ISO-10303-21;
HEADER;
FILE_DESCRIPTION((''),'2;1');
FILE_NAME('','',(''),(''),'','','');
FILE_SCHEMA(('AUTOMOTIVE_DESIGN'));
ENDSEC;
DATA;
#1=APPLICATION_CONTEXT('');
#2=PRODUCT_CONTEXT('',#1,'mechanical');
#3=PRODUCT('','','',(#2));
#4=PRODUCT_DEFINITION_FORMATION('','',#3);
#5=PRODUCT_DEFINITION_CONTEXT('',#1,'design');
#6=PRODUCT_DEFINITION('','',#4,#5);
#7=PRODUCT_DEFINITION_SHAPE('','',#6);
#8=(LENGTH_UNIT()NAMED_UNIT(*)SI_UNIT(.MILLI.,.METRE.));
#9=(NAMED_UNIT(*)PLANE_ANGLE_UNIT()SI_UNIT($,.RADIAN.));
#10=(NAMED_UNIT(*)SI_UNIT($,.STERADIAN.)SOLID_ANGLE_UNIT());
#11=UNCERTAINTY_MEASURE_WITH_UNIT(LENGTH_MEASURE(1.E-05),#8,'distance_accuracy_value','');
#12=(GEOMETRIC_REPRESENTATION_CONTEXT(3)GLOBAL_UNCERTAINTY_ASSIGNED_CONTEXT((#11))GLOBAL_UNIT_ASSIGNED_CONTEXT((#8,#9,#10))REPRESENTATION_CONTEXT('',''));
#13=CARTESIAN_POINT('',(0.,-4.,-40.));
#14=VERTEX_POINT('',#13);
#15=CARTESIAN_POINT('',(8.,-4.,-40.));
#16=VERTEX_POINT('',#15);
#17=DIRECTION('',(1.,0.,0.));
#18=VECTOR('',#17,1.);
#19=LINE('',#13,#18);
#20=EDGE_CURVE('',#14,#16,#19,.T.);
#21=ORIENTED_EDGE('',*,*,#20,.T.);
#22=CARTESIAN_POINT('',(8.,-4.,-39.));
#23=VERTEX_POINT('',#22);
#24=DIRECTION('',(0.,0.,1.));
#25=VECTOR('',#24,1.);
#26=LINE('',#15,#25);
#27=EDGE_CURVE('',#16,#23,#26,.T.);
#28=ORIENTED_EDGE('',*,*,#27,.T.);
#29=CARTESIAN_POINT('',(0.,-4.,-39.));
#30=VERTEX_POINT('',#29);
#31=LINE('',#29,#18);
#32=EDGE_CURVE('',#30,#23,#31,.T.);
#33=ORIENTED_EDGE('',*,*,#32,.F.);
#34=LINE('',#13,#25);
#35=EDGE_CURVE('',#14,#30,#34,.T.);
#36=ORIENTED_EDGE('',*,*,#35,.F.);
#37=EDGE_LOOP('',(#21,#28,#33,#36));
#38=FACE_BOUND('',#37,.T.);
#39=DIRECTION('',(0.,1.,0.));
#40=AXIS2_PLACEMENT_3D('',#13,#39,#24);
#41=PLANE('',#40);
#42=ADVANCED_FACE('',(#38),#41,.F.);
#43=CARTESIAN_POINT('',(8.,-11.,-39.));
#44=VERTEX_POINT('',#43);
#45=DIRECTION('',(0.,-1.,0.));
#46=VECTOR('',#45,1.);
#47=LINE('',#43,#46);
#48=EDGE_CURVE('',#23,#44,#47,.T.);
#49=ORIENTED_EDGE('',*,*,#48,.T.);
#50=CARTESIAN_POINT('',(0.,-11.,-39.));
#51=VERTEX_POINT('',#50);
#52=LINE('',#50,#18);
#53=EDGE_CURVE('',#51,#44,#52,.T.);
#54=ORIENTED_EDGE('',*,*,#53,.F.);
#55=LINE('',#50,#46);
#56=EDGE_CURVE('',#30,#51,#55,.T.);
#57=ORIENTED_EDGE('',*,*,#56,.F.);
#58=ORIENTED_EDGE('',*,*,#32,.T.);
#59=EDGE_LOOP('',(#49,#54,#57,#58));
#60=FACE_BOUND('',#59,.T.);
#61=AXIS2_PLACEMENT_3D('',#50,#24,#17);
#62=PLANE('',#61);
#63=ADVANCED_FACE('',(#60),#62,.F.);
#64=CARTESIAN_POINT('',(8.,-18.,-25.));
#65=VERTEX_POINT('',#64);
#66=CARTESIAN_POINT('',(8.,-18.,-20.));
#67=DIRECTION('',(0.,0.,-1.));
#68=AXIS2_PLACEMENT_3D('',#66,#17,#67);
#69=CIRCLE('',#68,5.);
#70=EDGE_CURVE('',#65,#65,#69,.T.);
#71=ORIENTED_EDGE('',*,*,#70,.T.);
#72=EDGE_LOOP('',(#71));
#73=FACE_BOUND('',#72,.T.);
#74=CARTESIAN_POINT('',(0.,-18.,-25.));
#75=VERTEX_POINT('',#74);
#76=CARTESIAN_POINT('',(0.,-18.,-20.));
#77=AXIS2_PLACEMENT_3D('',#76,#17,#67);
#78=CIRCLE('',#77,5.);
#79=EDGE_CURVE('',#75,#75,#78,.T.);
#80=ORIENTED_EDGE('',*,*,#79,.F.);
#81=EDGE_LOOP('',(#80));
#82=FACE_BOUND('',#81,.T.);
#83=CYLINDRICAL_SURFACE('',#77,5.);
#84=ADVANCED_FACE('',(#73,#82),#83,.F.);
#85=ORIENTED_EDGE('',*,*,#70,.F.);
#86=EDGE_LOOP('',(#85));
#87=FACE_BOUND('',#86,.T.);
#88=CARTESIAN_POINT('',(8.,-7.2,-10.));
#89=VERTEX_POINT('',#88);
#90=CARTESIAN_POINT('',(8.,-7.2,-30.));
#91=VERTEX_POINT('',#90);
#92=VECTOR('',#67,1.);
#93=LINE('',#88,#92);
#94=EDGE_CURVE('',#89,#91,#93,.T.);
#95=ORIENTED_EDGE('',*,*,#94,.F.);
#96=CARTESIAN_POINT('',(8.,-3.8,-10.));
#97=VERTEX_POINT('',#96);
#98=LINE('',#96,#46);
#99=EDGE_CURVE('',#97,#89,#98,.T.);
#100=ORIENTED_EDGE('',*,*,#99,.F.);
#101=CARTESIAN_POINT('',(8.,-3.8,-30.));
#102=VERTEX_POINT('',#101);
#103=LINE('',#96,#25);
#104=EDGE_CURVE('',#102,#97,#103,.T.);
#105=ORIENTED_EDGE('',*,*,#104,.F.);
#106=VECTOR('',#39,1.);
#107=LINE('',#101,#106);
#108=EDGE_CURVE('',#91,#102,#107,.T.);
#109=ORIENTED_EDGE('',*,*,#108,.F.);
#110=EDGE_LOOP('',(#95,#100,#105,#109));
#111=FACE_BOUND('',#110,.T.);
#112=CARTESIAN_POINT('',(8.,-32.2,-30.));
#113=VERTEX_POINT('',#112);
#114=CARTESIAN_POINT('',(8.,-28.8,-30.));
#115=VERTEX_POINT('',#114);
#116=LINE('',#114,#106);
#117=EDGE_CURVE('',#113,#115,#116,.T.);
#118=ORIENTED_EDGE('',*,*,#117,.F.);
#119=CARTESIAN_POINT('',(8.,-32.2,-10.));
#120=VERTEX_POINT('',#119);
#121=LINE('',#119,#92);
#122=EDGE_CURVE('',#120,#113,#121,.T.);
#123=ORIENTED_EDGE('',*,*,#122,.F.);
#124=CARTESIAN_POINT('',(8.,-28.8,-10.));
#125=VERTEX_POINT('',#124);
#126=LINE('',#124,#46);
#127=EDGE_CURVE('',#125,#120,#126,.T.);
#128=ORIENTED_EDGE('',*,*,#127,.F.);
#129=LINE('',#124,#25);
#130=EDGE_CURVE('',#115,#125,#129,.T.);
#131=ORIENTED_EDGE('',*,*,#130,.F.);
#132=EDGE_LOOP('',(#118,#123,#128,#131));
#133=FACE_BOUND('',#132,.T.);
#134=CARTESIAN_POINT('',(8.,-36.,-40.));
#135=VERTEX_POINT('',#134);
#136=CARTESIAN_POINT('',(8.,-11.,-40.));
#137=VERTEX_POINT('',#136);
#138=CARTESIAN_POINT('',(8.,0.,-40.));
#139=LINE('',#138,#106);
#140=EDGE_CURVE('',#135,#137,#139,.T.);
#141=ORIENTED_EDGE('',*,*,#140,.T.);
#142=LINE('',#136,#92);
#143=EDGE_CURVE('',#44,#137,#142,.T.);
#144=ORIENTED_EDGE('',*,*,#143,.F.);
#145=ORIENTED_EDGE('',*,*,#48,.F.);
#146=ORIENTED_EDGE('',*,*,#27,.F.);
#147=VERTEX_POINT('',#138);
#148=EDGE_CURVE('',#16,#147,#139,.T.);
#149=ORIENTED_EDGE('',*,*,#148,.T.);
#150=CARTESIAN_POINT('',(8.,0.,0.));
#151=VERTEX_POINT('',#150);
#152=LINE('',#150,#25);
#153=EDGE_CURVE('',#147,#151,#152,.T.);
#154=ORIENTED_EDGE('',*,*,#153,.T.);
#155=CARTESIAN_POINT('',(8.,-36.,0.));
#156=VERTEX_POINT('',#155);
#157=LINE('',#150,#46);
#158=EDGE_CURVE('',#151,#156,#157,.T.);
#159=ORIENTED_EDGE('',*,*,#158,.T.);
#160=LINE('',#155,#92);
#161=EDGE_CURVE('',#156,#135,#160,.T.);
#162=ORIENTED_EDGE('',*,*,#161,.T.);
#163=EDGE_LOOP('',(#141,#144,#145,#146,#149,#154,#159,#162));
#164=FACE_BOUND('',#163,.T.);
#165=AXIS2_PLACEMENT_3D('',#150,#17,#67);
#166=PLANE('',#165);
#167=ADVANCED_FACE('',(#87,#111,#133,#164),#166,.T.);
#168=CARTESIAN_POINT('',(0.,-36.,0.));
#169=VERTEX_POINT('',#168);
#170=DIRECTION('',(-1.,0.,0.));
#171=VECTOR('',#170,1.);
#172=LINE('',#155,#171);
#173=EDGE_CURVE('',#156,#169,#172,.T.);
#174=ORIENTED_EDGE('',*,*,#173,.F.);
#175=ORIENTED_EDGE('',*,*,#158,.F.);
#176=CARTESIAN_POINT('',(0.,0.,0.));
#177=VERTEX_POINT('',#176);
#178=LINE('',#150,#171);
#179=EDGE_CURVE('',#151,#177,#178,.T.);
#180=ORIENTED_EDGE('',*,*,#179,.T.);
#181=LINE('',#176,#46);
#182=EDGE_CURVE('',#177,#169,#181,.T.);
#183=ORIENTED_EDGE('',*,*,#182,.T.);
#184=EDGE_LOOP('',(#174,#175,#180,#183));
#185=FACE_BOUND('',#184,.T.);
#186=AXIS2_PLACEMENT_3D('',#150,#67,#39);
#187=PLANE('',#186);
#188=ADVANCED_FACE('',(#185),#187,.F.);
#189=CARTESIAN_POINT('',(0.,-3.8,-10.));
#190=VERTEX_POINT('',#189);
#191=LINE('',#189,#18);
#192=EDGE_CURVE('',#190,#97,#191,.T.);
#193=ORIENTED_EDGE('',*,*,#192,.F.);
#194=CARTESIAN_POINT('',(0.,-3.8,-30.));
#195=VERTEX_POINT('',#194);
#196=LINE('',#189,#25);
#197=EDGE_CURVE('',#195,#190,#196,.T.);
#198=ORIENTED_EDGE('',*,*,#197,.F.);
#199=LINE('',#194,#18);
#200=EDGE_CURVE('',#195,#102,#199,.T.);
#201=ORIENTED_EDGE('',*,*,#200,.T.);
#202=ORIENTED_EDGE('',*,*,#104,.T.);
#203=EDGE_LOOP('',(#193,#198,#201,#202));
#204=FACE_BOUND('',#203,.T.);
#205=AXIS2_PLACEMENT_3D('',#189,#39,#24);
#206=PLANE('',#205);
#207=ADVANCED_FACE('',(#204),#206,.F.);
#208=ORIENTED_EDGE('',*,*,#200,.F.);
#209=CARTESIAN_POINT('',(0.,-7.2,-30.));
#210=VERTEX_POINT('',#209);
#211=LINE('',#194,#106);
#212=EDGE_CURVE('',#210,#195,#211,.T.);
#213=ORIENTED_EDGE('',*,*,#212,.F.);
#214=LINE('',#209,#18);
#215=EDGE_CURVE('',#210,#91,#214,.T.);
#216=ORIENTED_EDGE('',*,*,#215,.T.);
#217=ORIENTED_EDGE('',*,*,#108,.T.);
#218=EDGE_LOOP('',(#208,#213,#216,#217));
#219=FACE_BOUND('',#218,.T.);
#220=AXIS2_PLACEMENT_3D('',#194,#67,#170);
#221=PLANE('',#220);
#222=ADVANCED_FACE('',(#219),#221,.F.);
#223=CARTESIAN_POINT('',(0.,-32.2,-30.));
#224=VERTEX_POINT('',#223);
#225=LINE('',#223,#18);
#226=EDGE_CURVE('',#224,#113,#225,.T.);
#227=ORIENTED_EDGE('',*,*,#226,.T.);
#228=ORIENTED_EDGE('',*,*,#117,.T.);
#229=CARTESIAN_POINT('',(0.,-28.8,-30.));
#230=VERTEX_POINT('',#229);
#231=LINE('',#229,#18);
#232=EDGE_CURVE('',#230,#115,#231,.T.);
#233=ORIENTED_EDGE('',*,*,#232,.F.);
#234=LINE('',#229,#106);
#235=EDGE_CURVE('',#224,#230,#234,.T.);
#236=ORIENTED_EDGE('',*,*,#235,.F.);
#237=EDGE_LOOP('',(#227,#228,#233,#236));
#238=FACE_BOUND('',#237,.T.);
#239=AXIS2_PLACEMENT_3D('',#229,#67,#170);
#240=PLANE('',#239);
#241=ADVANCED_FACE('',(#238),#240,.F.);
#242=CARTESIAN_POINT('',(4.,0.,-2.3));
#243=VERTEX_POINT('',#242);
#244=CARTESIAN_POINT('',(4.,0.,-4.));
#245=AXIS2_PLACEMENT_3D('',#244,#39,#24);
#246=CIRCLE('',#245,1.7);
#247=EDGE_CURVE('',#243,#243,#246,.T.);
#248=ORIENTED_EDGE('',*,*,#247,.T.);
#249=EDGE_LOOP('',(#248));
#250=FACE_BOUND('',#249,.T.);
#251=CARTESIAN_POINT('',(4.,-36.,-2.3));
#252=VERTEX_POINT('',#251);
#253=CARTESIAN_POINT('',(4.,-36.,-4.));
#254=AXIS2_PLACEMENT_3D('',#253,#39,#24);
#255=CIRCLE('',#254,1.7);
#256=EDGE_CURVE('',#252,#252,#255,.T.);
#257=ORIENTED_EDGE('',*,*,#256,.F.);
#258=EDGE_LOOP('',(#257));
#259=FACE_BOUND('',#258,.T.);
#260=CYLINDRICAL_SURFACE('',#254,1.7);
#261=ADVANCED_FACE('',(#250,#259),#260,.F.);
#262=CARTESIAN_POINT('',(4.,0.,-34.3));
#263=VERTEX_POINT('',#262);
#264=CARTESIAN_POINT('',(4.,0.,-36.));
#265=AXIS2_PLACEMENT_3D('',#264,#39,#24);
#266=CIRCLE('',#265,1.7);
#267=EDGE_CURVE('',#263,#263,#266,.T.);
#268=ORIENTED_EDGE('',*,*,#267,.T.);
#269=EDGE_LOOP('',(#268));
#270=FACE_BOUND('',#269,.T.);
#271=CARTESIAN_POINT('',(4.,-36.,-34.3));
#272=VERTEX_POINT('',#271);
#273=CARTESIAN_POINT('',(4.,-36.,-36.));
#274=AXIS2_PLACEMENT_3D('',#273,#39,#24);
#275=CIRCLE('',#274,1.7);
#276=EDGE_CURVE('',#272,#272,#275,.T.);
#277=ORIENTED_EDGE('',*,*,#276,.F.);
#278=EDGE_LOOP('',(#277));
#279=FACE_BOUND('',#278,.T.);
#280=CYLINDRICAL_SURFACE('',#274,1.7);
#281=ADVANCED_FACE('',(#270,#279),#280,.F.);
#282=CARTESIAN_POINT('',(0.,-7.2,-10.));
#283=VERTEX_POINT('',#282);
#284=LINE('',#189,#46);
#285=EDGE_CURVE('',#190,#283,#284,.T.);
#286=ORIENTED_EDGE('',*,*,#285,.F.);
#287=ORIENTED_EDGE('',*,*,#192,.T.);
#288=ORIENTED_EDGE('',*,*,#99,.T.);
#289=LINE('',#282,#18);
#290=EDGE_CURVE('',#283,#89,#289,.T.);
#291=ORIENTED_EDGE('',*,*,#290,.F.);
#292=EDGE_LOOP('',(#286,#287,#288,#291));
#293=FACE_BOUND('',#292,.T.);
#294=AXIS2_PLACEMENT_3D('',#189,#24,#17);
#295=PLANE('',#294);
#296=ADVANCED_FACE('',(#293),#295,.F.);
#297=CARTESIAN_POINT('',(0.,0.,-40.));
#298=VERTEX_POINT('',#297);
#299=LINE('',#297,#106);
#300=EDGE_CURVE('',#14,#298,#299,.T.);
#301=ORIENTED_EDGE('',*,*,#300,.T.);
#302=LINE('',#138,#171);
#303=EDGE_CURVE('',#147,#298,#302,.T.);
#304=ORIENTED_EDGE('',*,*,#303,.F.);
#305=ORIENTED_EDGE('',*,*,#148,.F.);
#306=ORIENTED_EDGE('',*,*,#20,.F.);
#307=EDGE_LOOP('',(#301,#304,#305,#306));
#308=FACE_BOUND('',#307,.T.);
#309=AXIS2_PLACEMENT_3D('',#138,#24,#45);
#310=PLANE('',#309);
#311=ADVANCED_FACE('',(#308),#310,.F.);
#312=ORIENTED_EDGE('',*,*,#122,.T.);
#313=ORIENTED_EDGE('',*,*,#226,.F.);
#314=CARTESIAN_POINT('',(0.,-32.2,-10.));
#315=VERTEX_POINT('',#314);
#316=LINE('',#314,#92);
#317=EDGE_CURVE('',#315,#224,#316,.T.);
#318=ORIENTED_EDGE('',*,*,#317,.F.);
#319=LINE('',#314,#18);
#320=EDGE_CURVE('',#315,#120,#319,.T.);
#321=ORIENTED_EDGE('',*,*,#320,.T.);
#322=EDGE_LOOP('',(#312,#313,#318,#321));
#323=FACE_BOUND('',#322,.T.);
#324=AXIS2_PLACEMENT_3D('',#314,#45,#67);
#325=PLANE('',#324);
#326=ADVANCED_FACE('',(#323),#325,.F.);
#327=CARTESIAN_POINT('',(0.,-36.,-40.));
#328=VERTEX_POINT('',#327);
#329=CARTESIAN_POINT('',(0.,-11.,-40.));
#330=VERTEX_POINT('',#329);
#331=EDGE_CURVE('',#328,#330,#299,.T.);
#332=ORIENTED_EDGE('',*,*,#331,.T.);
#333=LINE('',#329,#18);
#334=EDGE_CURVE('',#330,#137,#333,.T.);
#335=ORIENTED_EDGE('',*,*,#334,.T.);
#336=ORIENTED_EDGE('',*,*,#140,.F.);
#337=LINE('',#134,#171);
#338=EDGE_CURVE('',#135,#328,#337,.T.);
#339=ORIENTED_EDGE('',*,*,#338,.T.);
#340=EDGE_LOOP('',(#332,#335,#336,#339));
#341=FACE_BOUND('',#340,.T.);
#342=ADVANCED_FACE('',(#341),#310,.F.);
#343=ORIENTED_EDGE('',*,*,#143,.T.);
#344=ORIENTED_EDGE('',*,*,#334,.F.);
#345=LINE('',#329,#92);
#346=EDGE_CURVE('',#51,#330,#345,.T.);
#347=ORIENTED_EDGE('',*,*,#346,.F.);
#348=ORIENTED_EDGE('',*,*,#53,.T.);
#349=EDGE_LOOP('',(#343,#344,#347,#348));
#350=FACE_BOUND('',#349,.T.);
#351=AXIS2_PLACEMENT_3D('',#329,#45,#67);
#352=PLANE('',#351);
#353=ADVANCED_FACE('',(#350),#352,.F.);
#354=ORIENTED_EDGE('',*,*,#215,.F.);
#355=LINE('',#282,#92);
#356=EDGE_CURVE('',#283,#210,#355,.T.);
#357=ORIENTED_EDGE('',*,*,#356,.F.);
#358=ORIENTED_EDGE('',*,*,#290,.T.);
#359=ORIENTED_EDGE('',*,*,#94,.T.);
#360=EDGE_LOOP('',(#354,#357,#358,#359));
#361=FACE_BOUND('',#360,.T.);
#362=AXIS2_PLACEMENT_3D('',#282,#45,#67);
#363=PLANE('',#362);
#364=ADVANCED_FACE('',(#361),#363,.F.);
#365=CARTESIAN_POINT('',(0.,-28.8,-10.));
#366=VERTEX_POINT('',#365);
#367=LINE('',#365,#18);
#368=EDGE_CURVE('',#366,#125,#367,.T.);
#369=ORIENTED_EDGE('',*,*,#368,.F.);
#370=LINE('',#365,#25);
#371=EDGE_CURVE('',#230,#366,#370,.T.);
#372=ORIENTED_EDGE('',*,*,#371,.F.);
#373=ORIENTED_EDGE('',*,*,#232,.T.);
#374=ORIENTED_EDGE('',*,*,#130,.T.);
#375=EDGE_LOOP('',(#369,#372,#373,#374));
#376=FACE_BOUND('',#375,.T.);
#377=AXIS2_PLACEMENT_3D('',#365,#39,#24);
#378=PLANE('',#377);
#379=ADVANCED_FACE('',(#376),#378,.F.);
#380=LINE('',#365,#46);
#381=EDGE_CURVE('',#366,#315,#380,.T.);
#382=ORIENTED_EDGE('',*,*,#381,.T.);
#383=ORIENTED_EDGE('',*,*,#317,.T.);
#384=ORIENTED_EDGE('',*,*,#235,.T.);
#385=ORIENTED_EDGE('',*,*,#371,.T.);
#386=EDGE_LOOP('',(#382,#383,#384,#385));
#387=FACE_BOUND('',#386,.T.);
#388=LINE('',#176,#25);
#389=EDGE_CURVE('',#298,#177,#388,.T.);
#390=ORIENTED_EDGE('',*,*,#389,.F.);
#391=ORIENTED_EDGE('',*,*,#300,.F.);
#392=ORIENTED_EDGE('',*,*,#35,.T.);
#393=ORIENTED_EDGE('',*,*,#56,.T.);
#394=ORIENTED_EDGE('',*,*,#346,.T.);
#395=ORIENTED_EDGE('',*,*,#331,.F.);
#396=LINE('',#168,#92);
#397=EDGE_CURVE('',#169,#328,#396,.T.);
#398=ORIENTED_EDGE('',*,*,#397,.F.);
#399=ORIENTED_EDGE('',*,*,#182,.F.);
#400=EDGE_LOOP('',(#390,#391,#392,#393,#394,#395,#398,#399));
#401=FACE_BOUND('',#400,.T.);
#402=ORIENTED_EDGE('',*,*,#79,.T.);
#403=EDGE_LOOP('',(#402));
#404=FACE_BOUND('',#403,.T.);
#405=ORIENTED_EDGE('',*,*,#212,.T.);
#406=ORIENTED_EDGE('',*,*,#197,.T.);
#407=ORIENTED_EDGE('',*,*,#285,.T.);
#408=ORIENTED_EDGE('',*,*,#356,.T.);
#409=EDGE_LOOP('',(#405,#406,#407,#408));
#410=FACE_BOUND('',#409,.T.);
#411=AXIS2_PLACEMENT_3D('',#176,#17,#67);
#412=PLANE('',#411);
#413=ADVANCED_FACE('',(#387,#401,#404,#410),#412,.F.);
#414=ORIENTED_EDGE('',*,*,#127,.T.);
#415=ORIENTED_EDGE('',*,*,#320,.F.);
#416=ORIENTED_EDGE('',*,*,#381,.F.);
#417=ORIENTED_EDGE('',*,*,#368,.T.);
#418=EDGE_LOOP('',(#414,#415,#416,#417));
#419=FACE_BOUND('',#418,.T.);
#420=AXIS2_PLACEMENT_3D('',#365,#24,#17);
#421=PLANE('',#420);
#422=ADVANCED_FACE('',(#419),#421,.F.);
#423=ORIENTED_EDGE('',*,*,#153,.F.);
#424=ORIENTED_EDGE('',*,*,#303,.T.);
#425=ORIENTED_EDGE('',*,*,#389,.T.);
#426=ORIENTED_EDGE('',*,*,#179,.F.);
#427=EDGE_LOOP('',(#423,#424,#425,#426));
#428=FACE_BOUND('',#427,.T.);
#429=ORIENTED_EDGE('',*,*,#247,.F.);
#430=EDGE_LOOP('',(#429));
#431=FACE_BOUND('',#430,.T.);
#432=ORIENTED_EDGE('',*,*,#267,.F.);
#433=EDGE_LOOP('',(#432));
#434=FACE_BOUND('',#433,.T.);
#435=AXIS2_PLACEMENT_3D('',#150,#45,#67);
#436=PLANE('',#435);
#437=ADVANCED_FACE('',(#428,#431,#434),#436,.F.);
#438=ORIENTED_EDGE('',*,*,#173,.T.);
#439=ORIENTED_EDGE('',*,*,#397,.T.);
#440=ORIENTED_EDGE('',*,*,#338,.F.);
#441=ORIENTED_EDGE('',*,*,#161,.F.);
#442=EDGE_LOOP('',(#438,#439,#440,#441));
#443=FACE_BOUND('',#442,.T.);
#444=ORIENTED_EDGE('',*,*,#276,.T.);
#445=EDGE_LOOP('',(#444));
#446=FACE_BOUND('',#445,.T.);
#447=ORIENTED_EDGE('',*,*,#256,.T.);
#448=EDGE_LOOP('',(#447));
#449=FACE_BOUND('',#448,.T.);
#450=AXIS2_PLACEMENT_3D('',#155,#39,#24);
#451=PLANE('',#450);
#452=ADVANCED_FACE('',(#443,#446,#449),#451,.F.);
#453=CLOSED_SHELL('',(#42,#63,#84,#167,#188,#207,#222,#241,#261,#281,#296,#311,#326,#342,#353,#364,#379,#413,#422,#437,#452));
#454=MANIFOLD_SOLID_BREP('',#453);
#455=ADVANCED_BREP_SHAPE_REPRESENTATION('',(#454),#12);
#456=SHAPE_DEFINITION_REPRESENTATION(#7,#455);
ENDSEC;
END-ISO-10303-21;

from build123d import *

# Parameters (mm, degrees)
SKETCH1_W           = 40
SKETCH1_H           = 36
BOSS_EXTRUDE1_DEPTH = 8
SKETCH2_R           = 5
CUT_EXTRUDE1_DEPTH  = 55.405882035
SKETCH3_W           = 20
SKETCH3_H           = 3.4
CUT_EXTRUDE2_DEPTH  = 55.405882035
SKETCH6_R           = 1.7
CUT_EXTRUDE3_DEPTH  = 55.405882035
SKETCH7_W           = 1
SKETCH7_H           = 7
CUT_EXTRUDE4_DEPTH  = 55.405882035


with BuildPart() as part:
    # Sketch1 → Boss-Extrude1 (new body)
    with BuildSketch(Plane(origin=(0, 0, 0), x_dir=(0, 0, -1), z_dir=(1, 0, 0))):
        with Locations((20, -18)):
            Rectangle(SKETCH1_W, SKETCH1_H)
    extrude(amount=BOSS_EXTRUDE1_DEPTH)

    # Sketch2 → Cut-Extrude1 (cut, through all)
    with BuildSketch(Plane(origin=(8, 0, 0), x_dir=(0, 0, -1), z_dir=(1, 0, 0))):
        with Locations((20, -18)):
            Circle(SKETCH2_R)
    extrude(amount=-CUT_EXTRUDE1_DEPTH, mode=Mode.SUBTRACT)

    # Sketch3 → Cut-Extrude2 (cut, through all)
    with BuildSketch(Plane(origin=(8, 0, 0), x_dir=(0, 0, -1), z_dir=(1, 0, 0))):
        with Locations((20, -5.5)):
            Rectangle(SKETCH3_W, SKETCH3_H)
        with Locations((20, -30.5)):
            Rectangle(SKETCH3_W, SKETCH3_H)
    extrude(amount=-CUT_EXTRUDE2_DEPTH, mode=Mode.SUBTRACT)

    # Sketch6 → Cut-Extrude3 (cut, through all)
    with BuildSketch(Plane(origin=(0, 0, 0), x_dir=(1, 0, 0), z_dir=(0, 1, 0))):
        with Locations(Location((4, 4, 0), (0, 0, 270))):
            Circle(SKETCH6_R)
        with Locations(Location((4, 36, 0), (0, 0, 270))):
            Circle(SKETCH6_R)
    extrude(amount=-CUT_EXTRUDE3_DEPTH, mode=Mode.SUBTRACT)

    # Sketch7 → Cut-Extrude4 (cut, through all)
    with BuildSketch(Plane(origin=(8, 0, 0), x_dir=(0, 0, -1), z_dir=(1, 0, 0))):
        with Locations((39.5, -7.5)):
            Rectangle(SKETCH7_W, SKETCH7_H)
    extrude(amount=-CUT_EXTRUDE4_DEPTH, mode=Mode.SUBTRACT)


solid = part.part
